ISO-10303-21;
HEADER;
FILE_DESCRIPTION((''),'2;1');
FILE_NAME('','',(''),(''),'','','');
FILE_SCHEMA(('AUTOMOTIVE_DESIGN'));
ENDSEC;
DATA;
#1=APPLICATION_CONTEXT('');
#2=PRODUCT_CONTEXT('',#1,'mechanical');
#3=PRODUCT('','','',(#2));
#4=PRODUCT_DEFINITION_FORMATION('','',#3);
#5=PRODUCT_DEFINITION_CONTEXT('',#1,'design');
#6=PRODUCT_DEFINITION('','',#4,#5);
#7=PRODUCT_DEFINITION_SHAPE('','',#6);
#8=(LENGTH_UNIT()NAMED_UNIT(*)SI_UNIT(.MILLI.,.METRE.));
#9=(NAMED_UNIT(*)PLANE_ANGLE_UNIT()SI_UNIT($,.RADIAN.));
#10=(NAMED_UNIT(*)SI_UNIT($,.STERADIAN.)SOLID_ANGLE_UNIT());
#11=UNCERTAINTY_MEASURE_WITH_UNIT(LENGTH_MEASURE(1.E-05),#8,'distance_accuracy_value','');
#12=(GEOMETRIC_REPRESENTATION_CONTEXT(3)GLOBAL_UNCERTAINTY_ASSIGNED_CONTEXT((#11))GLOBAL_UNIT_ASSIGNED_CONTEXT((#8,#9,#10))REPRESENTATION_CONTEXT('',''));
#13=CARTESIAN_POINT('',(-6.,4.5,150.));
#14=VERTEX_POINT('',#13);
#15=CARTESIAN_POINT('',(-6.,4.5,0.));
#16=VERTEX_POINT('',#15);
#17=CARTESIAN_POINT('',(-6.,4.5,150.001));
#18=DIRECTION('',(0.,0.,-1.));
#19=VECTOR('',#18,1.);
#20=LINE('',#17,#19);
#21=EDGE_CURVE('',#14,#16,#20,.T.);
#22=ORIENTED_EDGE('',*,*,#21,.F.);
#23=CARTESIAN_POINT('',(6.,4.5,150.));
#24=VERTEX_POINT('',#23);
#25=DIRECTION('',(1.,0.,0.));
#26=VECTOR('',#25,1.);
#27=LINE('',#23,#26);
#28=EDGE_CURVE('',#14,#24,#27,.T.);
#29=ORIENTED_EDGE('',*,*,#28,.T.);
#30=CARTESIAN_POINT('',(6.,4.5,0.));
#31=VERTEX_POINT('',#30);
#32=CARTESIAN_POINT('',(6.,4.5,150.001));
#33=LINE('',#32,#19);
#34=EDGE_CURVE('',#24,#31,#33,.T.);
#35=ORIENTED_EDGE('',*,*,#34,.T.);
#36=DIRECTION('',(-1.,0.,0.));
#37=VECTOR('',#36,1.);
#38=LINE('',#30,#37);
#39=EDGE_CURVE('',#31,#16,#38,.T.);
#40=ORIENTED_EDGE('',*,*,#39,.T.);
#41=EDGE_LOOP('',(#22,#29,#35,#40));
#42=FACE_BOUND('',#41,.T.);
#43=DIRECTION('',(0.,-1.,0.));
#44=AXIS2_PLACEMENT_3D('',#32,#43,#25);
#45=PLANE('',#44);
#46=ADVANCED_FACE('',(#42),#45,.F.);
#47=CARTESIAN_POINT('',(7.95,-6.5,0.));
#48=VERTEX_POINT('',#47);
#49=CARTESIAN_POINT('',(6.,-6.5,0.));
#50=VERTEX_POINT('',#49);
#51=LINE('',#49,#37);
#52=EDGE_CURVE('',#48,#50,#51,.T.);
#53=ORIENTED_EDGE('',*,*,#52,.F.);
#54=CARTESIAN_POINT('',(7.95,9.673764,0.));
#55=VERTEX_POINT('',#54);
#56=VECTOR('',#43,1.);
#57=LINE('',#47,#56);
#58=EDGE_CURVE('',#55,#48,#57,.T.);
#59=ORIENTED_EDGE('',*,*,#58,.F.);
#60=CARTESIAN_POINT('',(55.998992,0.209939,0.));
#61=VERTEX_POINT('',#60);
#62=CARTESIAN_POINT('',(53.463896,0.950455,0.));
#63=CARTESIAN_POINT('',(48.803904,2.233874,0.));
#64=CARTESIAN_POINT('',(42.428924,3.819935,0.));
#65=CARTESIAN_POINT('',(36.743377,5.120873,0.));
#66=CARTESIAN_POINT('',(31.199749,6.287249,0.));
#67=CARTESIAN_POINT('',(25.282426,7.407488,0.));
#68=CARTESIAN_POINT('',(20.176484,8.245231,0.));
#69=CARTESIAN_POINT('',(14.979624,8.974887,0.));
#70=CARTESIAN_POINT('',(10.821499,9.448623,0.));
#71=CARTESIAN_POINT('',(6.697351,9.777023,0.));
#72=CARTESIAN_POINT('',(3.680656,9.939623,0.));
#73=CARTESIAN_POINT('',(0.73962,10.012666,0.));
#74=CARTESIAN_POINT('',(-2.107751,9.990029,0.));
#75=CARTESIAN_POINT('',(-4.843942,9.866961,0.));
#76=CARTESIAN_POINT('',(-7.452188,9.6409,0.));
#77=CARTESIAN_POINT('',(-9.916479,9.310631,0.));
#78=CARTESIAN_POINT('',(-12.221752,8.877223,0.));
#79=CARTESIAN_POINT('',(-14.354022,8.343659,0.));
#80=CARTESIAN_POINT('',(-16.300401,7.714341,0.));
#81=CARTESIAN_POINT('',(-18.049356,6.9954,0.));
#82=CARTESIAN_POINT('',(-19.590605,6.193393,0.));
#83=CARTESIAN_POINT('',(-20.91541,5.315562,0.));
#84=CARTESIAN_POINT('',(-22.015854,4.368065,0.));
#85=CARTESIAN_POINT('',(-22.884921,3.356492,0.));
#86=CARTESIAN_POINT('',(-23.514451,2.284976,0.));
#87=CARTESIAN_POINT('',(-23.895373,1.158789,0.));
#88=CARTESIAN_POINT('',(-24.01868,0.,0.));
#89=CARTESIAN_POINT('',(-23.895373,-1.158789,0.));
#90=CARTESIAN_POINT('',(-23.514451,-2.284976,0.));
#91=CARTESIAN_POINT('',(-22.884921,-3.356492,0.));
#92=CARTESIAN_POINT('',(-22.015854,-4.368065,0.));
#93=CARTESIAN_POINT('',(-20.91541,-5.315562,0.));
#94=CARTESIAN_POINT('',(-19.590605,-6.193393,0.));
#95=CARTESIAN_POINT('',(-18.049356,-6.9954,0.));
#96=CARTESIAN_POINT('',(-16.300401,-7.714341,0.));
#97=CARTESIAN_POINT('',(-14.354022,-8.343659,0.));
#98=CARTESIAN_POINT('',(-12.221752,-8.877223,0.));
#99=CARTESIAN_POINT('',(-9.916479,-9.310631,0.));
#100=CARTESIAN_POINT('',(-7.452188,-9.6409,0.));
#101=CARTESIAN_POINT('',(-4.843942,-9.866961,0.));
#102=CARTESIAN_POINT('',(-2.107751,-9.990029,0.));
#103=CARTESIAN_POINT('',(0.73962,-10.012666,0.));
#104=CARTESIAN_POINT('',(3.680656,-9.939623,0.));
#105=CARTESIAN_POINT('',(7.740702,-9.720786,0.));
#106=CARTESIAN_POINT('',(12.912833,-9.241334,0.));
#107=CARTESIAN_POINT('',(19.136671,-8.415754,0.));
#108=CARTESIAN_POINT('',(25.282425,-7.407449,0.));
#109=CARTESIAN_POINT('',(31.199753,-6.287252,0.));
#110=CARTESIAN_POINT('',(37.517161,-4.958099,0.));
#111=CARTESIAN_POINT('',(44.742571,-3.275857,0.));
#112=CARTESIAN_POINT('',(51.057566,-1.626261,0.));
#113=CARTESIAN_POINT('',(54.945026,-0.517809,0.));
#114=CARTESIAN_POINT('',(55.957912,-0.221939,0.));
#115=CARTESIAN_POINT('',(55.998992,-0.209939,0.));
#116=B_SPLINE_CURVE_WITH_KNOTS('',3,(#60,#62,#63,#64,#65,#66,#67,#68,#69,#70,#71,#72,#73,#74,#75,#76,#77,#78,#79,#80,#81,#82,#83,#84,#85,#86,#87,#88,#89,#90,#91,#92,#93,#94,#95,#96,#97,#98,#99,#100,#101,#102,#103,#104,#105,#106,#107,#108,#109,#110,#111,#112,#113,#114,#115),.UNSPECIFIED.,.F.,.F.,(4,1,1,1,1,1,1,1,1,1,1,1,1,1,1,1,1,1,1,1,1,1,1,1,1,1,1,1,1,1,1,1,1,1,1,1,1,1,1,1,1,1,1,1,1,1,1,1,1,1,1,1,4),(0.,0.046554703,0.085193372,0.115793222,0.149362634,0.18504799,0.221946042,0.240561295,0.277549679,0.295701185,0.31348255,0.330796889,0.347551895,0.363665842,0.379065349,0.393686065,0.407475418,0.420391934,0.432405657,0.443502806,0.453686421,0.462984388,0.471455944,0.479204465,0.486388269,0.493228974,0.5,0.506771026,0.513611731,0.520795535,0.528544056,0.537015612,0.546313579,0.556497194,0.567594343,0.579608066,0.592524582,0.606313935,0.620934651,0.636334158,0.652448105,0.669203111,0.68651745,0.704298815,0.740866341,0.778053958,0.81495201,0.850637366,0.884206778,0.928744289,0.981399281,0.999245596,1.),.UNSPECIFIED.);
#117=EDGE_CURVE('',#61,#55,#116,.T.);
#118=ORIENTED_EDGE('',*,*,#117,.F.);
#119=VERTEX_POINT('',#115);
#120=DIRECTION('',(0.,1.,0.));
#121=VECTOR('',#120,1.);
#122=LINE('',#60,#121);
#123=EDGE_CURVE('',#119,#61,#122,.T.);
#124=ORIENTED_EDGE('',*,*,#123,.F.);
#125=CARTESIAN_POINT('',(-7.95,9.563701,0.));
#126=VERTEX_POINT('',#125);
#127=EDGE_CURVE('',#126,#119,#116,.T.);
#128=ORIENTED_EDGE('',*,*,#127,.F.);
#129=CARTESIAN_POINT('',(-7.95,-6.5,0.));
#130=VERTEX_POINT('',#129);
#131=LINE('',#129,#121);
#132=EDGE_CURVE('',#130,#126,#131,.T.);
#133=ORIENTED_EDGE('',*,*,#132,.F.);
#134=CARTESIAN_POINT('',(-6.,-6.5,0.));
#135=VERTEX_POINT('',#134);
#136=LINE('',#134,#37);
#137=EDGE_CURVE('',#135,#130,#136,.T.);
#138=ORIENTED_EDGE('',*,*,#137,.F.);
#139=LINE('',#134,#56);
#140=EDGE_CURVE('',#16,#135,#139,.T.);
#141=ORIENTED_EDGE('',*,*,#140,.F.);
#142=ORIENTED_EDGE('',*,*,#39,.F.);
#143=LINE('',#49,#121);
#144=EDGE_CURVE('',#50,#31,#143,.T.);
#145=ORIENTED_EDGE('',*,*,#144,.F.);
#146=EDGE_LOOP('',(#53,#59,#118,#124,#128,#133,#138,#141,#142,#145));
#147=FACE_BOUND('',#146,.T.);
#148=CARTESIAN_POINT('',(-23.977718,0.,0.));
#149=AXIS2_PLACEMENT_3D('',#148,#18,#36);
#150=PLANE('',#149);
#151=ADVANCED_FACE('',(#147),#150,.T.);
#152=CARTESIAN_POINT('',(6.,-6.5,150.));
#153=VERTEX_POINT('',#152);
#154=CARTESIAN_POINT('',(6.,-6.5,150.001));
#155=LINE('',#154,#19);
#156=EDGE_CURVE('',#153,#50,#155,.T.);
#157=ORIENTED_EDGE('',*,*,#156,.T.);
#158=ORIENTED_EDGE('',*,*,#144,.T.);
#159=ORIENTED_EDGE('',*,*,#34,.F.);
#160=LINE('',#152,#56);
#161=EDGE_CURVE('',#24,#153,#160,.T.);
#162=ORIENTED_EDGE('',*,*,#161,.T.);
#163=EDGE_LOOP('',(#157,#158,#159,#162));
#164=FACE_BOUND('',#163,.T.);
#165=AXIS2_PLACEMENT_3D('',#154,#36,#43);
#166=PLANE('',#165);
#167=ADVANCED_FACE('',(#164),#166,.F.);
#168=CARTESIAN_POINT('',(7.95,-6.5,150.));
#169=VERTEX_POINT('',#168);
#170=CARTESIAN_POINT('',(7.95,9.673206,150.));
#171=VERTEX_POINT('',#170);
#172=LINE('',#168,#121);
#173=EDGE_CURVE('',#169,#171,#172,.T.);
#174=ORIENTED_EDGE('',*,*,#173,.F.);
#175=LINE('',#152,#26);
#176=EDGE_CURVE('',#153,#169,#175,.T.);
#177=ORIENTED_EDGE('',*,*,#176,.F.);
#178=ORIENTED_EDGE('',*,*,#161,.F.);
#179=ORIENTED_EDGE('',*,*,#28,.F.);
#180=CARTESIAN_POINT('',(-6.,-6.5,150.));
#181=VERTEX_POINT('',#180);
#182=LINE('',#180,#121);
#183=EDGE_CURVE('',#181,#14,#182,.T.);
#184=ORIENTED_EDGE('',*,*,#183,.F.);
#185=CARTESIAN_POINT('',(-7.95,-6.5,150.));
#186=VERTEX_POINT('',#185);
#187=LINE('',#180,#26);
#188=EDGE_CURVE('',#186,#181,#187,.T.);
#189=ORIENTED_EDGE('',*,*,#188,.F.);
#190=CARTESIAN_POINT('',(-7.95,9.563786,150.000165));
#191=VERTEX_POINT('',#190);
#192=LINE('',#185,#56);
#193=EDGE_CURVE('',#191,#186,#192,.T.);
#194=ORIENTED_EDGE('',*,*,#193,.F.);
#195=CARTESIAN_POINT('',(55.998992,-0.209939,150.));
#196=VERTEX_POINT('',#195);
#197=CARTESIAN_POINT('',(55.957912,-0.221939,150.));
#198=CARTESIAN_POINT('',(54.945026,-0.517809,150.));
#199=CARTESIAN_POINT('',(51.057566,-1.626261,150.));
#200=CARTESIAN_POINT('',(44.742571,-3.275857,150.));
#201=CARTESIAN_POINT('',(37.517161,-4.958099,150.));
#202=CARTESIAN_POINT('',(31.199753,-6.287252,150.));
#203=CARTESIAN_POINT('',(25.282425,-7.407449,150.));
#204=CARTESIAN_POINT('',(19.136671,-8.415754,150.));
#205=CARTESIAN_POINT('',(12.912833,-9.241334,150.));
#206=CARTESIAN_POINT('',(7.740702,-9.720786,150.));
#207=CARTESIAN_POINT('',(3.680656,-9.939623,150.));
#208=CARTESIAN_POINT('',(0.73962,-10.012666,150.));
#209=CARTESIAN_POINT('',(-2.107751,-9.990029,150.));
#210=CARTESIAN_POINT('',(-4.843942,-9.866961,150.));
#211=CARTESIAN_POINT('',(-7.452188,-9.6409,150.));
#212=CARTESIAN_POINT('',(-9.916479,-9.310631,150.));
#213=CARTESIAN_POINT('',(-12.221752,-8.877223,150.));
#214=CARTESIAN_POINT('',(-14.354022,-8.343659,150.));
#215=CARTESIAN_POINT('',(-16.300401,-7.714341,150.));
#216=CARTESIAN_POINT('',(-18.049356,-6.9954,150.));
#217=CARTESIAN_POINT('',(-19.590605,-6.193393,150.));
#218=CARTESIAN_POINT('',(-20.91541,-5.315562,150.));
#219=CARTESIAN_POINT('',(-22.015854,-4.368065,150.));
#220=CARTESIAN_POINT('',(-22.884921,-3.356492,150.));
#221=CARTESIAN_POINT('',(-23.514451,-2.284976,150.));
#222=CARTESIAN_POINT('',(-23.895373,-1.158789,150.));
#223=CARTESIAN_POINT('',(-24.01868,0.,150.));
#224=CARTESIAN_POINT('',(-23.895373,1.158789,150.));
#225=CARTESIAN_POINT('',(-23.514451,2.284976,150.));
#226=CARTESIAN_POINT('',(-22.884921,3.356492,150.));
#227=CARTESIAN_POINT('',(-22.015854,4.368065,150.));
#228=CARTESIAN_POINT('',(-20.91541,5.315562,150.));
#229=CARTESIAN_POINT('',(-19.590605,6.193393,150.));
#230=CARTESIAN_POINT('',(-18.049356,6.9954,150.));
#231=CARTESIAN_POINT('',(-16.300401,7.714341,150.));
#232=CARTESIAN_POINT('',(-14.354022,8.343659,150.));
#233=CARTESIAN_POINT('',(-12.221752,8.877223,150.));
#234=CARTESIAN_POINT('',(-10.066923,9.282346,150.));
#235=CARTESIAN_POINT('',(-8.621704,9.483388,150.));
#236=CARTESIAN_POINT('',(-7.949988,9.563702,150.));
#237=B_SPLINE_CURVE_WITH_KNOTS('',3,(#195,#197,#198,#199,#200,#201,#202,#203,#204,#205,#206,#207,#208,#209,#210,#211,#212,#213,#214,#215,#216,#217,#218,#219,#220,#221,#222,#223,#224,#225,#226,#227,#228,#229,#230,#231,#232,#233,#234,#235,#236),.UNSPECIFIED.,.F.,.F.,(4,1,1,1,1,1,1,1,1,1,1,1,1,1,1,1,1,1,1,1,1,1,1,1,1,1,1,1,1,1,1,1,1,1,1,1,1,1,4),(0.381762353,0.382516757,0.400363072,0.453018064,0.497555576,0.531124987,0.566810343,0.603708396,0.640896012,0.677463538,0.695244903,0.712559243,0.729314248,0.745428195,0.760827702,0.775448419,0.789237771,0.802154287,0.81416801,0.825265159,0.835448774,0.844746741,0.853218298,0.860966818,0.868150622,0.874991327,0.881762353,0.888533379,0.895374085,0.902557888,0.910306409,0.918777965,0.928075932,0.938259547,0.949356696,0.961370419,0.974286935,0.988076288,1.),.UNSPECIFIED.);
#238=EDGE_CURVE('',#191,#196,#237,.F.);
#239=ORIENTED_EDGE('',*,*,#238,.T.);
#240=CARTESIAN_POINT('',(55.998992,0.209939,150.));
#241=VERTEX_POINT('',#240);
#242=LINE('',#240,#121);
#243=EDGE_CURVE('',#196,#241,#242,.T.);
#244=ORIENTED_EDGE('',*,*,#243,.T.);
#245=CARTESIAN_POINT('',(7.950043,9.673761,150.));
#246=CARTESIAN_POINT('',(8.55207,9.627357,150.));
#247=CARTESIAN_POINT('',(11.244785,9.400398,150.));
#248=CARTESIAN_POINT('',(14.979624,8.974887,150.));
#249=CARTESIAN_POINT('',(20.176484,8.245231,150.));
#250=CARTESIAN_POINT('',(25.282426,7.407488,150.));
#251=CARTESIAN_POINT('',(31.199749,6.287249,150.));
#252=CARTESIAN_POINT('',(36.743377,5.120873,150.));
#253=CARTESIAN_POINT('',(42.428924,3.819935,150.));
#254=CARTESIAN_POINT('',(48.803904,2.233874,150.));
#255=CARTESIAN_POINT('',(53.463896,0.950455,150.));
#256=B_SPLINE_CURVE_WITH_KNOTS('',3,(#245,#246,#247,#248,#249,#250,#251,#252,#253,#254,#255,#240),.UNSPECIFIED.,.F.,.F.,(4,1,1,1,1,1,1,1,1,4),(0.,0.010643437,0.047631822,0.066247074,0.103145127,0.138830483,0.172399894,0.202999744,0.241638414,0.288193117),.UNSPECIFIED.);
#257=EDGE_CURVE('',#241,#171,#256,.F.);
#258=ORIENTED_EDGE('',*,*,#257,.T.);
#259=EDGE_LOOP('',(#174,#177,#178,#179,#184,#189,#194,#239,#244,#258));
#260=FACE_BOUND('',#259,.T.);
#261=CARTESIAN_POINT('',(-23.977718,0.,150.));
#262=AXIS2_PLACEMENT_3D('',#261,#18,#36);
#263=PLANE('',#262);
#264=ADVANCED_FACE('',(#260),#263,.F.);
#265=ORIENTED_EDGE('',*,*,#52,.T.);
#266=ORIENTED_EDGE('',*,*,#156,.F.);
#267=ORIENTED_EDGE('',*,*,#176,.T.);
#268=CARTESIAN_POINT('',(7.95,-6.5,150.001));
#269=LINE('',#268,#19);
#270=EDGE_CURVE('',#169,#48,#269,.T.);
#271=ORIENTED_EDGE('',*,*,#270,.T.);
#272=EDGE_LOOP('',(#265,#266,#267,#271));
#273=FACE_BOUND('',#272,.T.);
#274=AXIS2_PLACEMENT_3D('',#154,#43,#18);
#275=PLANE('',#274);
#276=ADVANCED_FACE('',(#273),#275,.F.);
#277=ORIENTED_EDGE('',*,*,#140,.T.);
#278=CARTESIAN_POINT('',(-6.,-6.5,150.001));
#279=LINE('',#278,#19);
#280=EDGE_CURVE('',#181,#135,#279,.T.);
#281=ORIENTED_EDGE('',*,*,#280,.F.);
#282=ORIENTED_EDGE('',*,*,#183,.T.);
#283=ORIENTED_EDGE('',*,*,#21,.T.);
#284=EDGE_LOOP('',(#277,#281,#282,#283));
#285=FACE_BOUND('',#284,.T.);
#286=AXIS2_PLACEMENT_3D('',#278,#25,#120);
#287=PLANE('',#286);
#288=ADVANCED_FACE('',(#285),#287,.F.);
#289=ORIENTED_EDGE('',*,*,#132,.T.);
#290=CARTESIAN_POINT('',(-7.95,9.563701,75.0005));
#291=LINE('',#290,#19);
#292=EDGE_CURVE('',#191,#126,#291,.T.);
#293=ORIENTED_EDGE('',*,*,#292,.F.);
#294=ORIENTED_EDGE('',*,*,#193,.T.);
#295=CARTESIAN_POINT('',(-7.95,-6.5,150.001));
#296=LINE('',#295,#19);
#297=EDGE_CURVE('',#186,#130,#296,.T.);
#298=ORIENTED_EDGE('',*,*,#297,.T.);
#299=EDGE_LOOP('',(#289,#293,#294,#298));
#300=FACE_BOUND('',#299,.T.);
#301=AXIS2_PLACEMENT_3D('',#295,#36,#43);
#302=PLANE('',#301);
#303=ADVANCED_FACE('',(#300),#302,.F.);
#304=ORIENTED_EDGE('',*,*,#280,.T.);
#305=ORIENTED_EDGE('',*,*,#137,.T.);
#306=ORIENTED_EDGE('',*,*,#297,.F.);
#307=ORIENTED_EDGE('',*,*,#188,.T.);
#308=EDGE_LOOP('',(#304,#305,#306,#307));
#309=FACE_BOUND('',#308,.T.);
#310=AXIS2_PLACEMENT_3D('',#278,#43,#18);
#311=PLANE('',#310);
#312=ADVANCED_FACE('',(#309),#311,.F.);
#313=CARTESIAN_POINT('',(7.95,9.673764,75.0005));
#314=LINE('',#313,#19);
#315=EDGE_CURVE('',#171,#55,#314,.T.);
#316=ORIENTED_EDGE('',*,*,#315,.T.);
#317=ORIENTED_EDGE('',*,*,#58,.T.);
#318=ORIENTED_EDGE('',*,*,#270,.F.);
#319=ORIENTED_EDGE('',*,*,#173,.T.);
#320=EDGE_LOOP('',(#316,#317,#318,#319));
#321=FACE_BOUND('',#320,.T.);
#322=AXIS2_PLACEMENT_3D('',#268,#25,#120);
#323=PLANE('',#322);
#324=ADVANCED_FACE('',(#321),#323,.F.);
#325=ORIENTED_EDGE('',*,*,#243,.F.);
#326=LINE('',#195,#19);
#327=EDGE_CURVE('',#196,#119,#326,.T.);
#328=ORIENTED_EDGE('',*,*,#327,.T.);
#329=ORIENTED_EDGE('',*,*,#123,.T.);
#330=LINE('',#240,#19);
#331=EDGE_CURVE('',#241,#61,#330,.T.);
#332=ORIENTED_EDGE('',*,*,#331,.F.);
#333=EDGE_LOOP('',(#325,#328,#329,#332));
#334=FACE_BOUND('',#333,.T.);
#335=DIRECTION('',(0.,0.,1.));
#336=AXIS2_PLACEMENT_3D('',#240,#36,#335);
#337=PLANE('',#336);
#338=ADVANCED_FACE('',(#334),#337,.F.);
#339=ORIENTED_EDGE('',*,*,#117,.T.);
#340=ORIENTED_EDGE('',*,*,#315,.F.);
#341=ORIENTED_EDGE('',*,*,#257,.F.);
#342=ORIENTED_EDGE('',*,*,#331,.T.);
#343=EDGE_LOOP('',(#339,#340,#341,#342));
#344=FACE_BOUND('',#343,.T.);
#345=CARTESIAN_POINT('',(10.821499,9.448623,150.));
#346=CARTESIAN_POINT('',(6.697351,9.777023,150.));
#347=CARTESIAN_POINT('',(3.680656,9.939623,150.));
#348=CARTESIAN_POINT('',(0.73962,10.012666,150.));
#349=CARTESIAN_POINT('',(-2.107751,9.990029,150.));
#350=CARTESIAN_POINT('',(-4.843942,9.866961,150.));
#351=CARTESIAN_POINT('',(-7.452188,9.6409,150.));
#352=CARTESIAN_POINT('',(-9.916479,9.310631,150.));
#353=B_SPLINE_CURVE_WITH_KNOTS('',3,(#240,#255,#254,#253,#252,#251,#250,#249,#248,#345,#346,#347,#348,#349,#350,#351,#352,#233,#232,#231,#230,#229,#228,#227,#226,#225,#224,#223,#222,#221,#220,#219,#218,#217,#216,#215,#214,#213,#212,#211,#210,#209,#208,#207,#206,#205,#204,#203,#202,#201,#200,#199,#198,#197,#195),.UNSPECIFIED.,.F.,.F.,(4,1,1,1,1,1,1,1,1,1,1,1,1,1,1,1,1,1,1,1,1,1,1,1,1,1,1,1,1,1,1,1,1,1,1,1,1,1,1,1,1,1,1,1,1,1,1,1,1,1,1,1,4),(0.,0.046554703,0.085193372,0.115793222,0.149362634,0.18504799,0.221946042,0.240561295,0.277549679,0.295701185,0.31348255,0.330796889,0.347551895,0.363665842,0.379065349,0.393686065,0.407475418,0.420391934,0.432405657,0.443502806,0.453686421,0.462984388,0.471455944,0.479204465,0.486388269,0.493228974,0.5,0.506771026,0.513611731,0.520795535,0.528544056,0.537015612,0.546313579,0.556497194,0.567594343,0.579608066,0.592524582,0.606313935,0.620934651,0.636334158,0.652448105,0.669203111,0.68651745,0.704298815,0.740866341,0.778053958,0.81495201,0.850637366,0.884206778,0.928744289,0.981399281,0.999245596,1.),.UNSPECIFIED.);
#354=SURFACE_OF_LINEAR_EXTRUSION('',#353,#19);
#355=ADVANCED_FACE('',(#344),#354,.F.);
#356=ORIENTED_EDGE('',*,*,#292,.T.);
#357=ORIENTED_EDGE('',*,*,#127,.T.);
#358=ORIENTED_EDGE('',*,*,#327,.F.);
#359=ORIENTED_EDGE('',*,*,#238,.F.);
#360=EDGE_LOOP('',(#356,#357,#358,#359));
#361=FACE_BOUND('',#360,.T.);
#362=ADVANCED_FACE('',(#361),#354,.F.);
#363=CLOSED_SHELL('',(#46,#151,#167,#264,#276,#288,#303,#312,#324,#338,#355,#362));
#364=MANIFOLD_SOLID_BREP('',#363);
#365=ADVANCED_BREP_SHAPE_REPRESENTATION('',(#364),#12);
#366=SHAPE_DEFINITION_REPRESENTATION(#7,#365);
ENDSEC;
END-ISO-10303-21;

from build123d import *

# Parameters (mm, degrees)
BOSS_EXTRUDE1_DEPTH = 150
CUT_EXTRUDE1_REACH  = 152


with BuildPart() as part:
    # Sketch2 → Boss-Extrude1 (new body)
    with BuildSketch(Plane.XY):
        with BuildLine():
            Line((55.998991919, 0.209938863), (55.998991919, -0.209938863))
            add(Edge.make_bspline(
                [(55.998991919, 0.209938863), (53.463896497, 0.950455214), (48.803904258, 2.233873897), (42.428923908, 3.819934884), (36.743376831, 5.120873453), (31.199749362, 6.287249396), (25.282426203, 7.407488419), (20.176484373, 8.245231015), (14.979623954, 8.974887306), (10.821499069, 9.44862332), (6.697350987, 9.777022894), (3.680655604, 9.939622605), (0.739619613, 10.012665726), (-2.107751213, 9.990028944), (-4.843941705, 9.866960982), (-7.452188048, 9.640899897), (-9.916478705, 9.310630744), (-12.221751766, 8.877222993), (-14.354021752, 8.343659433), (-16.300401345, 7.714341159), (-18.049355518, 6.995399514), (-19.590605164, 6.19339349), (-20.915410238, 5.315562027), (-22.015853697, 4.368064829), (-22.884921184, 3.356491652), (-23.514451457, 2.28497611), (-23.895372624, 1.158788991), (-24.018679664, 0), (-23.895372624, -1.158788991), (-23.514451457, -2.28497611), (-22.884921184, -3.356491652), (-22.015853697, -4.368064829), (-20.915410238, -5.315562027), (-19.590605164, -6.19339349), (-18.049355518, -6.995399514), (-16.300401345, -7.714341159), (-14.354021752, -8.343659433), (-12.221751766, -8.877222993), (-9.916478705, -9.310630744), (-7.452188048, -9.640899897), (-4.843941705, -9.866960982), (-2.107751213, -9.990028944), (0.739619613, -10.012665726), (3.680655604, -9.939622605), (7.74070187, -9.72078634), (12.912832982, -9.241334238), (19.136671313, -8.415754469), (25.28242537, -7.407448977), (31.199752667, -6.287252304), (37.517160947, -4.95809922), (44.742570872, -3.275857272), (51.057566095, -1.626260629), (54.945025722, -0.517808616), (55.95791152, -0.221938691), (55.998991919, -0.209938863)],
                knots=[0, 0, 0, 0, 0.046554703, 0.085193372, 0.115793222, 0.149362634, 0.18504799, 0.221946042, 0.240561295, 0.277549679, 0.295701185, 0.31348255, 0.330796889, 0.347551895, 0.363665842, 0.379065349, 0.393686065, 0.407475418, 0.420391934, 0.432405657, 0.443502806, 0.453686421, 0.462984388, 0.471455944, 0.479204465, 0.486388269, 0.493228974, 0.5, 0.506771026, 0.513611731, 0.520795535, 0.528544056, 0.537015612, 0.546313579, 0.556497194, 0.567594343, 0.579608066, 0.592524582, 0.606313935, 0.620934651, 0.636334158, 0.652448105, 0.669203111, 0.68651745, 0.704298815, 0.740866341, 0.778053958, 0.81495201, 0.850637366, 0.884206778, 0.928744289, 0.981399281, 0.999245596, 1, 1, 1, 1], degree=3))
        make_face()
    extrude(amount=BOSS_EXTRUDE1_DEPTH)

    # Sketch3 → Cut-Extrude1 (cut, up to next)
    with BuildSketch(Plane(origin=(0, 0, 0), x_dir=(-1, 0, 0), z_dir=(0, 0, -1)), mode=Mode.PRIVATE) as cut_extrude1_sk1:
        with BuildLine():
            Line((6, -6.5), (7.95, -6.5))
            Line((7.95, -6.5), (7.95, 9.56370057))
            add(Edge.make_bspline(
                [(-7.95, 9.673763928), (-7.525333967, 9.706496284), (-6.094337758, 9.809525273), (-3.680655604, 9.939622605), (-0.739619613, 10.012665726), (2.107751213, 9.990028944), (4.843941705, 9.866960982), (6.778071836, 9.69932668), (7.798061571, 9.581867182), (7.95, 9.56370057)],
                knots=[0.28819337, 0.28819337, 0.28819337, 0.28819337, 0.295701185, 0.31348255, 0.330796889, 0.347551895, 0.363665842, 0.379065349, 0.381762425, 0.381762425, 0.381762425, 0.381762425], degree=3))
            Line((-7.95, 9.673763928), (-7.95, -6.5))
            Line((-7.95, -6.5), (-6, -6.5))
            Line((-6, -6.5), (-6, 4.5))
            Line((-6, 4.5), (6, 4.5))
            Line((6, 4.5), (6, -6.5))
        make_face()
    cut_extrude1_tool1 = extrude(cut_extrude1_sk1.sketch, amount=-CUT_EXTRUDE1_REACH, mode=Mode.PRIVATE) & part.part
    add(cut_extrude1_tool1.solids().sort_by_distance((-6.975, -6.270858, 0))[0], mode=Mode.SUBTRACT)


solid = part.part
